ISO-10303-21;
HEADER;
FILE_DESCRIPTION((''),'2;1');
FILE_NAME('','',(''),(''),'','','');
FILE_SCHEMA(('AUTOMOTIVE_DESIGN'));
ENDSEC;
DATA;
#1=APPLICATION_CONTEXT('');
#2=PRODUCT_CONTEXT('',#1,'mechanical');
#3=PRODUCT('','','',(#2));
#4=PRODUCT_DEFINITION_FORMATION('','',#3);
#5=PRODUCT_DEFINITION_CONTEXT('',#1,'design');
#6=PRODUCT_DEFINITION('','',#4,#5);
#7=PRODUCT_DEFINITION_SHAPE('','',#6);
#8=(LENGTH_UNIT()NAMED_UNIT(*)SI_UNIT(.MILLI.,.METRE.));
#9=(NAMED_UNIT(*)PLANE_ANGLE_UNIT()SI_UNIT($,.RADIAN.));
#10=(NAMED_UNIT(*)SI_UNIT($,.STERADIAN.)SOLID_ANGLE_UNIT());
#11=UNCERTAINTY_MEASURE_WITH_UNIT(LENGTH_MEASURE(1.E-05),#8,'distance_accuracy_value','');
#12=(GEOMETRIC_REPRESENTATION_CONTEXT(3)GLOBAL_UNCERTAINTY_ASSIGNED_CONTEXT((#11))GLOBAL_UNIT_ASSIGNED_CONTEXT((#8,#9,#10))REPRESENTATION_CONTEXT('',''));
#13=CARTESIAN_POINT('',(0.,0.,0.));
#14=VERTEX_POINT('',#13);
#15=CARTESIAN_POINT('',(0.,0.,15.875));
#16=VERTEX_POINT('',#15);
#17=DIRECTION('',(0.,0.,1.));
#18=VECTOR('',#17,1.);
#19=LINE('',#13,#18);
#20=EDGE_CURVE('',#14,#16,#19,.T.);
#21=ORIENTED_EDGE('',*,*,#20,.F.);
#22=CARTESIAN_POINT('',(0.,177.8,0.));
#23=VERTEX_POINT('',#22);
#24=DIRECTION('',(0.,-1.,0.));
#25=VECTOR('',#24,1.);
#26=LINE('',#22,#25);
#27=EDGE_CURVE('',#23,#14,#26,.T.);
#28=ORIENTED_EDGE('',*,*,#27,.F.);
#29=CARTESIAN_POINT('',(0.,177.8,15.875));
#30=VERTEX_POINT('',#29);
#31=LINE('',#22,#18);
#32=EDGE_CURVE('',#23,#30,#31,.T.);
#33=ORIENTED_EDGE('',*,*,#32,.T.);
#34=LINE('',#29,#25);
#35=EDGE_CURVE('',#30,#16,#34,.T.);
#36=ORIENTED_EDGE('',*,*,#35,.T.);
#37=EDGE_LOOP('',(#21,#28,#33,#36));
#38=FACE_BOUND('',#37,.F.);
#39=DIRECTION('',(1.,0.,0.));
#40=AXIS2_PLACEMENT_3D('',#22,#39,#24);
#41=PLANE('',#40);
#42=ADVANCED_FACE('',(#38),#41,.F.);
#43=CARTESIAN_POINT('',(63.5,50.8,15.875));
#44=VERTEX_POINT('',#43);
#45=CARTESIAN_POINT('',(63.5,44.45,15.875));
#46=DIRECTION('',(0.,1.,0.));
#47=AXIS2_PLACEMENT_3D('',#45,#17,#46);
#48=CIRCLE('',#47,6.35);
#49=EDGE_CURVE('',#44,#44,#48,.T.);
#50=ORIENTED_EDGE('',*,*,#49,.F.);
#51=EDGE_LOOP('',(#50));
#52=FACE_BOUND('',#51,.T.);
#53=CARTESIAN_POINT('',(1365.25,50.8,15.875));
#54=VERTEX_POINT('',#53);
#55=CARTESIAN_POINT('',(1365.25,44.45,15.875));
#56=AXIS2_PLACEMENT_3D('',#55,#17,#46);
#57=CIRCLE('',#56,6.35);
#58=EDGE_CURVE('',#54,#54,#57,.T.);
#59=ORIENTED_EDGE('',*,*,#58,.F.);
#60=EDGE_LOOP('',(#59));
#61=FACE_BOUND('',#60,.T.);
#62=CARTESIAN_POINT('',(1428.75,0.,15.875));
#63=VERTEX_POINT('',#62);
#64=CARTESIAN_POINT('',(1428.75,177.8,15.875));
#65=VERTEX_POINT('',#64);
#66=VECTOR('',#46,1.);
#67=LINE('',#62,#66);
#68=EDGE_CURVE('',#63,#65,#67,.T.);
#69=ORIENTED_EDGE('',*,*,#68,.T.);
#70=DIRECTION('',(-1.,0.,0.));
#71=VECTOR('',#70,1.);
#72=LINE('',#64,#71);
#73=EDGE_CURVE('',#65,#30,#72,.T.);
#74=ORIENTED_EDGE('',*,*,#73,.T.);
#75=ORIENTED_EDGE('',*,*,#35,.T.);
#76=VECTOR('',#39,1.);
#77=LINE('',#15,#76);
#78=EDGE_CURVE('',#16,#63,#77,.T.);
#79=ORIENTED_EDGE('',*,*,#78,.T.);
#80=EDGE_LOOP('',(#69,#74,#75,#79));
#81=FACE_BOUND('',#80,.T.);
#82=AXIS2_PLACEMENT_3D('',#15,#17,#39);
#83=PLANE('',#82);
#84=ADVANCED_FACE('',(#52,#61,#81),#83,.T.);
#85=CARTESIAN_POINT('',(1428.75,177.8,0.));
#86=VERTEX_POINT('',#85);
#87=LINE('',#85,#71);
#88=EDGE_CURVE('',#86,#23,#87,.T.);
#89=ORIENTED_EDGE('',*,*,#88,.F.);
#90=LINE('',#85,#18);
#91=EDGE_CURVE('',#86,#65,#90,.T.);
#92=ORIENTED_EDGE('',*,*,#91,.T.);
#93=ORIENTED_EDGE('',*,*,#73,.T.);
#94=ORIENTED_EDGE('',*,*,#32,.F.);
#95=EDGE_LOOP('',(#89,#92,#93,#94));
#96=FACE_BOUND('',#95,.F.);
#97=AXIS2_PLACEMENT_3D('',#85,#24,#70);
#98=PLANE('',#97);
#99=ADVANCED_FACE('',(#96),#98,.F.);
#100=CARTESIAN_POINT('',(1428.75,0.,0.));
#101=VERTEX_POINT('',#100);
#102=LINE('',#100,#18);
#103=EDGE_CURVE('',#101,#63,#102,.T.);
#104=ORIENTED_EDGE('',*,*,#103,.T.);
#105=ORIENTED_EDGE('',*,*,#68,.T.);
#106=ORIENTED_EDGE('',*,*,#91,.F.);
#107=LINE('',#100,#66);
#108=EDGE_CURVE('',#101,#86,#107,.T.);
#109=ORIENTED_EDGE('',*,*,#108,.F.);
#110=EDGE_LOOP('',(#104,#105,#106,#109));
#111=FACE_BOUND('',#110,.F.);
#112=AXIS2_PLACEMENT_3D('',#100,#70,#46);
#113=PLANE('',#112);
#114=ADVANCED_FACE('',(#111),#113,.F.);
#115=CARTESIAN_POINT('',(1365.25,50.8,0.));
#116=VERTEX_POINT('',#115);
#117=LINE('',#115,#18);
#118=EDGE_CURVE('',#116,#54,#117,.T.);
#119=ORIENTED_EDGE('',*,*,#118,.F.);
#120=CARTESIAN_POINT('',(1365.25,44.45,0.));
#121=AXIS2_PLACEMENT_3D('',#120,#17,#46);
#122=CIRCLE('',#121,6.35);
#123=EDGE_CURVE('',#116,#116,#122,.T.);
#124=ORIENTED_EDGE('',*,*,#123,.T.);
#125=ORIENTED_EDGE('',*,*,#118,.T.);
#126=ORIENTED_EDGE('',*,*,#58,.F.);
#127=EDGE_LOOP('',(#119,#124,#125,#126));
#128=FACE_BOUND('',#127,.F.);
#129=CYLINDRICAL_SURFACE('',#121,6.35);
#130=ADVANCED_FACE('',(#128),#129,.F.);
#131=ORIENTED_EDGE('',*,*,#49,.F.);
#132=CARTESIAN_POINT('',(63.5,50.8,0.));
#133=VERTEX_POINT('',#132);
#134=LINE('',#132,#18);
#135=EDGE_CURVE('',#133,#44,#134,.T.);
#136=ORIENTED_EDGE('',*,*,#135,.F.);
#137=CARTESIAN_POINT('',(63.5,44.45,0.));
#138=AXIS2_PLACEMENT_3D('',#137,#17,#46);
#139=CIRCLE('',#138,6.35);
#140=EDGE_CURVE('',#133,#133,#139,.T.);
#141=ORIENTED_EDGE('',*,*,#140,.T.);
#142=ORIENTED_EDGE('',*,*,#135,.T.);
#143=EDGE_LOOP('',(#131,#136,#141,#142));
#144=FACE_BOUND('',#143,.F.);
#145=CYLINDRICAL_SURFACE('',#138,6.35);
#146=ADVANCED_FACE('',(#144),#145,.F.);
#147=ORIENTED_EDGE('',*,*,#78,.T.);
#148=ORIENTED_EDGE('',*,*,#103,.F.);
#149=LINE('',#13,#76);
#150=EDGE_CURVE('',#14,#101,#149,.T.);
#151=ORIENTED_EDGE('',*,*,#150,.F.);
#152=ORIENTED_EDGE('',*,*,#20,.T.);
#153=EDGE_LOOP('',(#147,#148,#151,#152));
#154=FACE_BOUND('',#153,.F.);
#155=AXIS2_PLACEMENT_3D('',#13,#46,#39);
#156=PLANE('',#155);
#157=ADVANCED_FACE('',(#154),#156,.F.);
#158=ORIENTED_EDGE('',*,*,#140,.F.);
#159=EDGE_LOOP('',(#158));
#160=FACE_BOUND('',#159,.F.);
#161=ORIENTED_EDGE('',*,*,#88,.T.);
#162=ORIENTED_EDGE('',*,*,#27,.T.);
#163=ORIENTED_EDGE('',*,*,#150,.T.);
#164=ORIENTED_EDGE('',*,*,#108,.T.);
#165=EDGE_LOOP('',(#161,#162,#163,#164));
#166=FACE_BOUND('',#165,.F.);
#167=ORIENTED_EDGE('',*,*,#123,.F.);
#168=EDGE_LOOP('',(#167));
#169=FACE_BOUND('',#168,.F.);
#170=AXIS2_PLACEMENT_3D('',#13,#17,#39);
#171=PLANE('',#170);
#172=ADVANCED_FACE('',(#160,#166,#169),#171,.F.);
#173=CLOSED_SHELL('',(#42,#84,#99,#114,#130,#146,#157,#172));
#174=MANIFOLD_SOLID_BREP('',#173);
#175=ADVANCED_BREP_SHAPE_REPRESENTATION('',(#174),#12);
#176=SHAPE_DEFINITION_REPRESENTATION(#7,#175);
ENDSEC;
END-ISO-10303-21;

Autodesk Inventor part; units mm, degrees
ref_plane "YZ Plane" through (0, 0, 0) normal (1, 0, 0) x (0, 1, 0)
ref_plane "XZ Plane" through (0, 0, 0) normal (0, 1, 0) x (-1, 0, 0)
ref_plane "XY Plane" through (0, 0, 0) normal (0, 0, 1) x (1, 0, 0)
sketch "Sketch1" plane through (0, 0, 0) normal (0, 0, 1) x (1, 0, 0)
  line L0 (0, 0) -> (1428.75, 0)
  line L1 (1428.75, 0) -> (1428.75, 177.8)
  line L2 (1428.75, 177.8) -> (0, 177.8)
  line L3 (0, 177.8) -> (0, 0)
  dimension "d0" = 1428.75
  dimension "d1" = 177.8
extrude "Extrusion1" add sketch "Sketch1" along normal blind 15.875
sketch "Sketch2" plane through (0, 0, 0) normal (0, 0, -1) x (-1, 0, 0)
  line L0 (0, 0) -> (-63.5, 0)
  line L1 (-63.5, 0) -> (-63.5, 44.45)
  line L2 (-63.5, 44.45) -> (0, 44.45)
  line L3 (0, 44.45) -> (0, 0)
  line L4 (-1428.75, 0) -> (-1365.25, 0)
  line L5 (-1365.25, 0) -> (-1365.25, 44.45)
  line L6 (-1365.25, 44.45) -> (-1428.75, 44.45)
  line L7 (-1428.75, 44.45) -> (-1428.75, 0)
  dimension "d4" = 63.5
  dimension "d5" = 44.45
  dimension "d6" = 63.5
  dimension "d7" = 44.45
hole "Hole1" at (63.5, 44.45, 0) at (1365.25, 44.45, 0) at (63.5, 44.45, 0) direction (0, 0, 1) diameter 12.7 end through all
properties part number "7x56.25 Gyp"
